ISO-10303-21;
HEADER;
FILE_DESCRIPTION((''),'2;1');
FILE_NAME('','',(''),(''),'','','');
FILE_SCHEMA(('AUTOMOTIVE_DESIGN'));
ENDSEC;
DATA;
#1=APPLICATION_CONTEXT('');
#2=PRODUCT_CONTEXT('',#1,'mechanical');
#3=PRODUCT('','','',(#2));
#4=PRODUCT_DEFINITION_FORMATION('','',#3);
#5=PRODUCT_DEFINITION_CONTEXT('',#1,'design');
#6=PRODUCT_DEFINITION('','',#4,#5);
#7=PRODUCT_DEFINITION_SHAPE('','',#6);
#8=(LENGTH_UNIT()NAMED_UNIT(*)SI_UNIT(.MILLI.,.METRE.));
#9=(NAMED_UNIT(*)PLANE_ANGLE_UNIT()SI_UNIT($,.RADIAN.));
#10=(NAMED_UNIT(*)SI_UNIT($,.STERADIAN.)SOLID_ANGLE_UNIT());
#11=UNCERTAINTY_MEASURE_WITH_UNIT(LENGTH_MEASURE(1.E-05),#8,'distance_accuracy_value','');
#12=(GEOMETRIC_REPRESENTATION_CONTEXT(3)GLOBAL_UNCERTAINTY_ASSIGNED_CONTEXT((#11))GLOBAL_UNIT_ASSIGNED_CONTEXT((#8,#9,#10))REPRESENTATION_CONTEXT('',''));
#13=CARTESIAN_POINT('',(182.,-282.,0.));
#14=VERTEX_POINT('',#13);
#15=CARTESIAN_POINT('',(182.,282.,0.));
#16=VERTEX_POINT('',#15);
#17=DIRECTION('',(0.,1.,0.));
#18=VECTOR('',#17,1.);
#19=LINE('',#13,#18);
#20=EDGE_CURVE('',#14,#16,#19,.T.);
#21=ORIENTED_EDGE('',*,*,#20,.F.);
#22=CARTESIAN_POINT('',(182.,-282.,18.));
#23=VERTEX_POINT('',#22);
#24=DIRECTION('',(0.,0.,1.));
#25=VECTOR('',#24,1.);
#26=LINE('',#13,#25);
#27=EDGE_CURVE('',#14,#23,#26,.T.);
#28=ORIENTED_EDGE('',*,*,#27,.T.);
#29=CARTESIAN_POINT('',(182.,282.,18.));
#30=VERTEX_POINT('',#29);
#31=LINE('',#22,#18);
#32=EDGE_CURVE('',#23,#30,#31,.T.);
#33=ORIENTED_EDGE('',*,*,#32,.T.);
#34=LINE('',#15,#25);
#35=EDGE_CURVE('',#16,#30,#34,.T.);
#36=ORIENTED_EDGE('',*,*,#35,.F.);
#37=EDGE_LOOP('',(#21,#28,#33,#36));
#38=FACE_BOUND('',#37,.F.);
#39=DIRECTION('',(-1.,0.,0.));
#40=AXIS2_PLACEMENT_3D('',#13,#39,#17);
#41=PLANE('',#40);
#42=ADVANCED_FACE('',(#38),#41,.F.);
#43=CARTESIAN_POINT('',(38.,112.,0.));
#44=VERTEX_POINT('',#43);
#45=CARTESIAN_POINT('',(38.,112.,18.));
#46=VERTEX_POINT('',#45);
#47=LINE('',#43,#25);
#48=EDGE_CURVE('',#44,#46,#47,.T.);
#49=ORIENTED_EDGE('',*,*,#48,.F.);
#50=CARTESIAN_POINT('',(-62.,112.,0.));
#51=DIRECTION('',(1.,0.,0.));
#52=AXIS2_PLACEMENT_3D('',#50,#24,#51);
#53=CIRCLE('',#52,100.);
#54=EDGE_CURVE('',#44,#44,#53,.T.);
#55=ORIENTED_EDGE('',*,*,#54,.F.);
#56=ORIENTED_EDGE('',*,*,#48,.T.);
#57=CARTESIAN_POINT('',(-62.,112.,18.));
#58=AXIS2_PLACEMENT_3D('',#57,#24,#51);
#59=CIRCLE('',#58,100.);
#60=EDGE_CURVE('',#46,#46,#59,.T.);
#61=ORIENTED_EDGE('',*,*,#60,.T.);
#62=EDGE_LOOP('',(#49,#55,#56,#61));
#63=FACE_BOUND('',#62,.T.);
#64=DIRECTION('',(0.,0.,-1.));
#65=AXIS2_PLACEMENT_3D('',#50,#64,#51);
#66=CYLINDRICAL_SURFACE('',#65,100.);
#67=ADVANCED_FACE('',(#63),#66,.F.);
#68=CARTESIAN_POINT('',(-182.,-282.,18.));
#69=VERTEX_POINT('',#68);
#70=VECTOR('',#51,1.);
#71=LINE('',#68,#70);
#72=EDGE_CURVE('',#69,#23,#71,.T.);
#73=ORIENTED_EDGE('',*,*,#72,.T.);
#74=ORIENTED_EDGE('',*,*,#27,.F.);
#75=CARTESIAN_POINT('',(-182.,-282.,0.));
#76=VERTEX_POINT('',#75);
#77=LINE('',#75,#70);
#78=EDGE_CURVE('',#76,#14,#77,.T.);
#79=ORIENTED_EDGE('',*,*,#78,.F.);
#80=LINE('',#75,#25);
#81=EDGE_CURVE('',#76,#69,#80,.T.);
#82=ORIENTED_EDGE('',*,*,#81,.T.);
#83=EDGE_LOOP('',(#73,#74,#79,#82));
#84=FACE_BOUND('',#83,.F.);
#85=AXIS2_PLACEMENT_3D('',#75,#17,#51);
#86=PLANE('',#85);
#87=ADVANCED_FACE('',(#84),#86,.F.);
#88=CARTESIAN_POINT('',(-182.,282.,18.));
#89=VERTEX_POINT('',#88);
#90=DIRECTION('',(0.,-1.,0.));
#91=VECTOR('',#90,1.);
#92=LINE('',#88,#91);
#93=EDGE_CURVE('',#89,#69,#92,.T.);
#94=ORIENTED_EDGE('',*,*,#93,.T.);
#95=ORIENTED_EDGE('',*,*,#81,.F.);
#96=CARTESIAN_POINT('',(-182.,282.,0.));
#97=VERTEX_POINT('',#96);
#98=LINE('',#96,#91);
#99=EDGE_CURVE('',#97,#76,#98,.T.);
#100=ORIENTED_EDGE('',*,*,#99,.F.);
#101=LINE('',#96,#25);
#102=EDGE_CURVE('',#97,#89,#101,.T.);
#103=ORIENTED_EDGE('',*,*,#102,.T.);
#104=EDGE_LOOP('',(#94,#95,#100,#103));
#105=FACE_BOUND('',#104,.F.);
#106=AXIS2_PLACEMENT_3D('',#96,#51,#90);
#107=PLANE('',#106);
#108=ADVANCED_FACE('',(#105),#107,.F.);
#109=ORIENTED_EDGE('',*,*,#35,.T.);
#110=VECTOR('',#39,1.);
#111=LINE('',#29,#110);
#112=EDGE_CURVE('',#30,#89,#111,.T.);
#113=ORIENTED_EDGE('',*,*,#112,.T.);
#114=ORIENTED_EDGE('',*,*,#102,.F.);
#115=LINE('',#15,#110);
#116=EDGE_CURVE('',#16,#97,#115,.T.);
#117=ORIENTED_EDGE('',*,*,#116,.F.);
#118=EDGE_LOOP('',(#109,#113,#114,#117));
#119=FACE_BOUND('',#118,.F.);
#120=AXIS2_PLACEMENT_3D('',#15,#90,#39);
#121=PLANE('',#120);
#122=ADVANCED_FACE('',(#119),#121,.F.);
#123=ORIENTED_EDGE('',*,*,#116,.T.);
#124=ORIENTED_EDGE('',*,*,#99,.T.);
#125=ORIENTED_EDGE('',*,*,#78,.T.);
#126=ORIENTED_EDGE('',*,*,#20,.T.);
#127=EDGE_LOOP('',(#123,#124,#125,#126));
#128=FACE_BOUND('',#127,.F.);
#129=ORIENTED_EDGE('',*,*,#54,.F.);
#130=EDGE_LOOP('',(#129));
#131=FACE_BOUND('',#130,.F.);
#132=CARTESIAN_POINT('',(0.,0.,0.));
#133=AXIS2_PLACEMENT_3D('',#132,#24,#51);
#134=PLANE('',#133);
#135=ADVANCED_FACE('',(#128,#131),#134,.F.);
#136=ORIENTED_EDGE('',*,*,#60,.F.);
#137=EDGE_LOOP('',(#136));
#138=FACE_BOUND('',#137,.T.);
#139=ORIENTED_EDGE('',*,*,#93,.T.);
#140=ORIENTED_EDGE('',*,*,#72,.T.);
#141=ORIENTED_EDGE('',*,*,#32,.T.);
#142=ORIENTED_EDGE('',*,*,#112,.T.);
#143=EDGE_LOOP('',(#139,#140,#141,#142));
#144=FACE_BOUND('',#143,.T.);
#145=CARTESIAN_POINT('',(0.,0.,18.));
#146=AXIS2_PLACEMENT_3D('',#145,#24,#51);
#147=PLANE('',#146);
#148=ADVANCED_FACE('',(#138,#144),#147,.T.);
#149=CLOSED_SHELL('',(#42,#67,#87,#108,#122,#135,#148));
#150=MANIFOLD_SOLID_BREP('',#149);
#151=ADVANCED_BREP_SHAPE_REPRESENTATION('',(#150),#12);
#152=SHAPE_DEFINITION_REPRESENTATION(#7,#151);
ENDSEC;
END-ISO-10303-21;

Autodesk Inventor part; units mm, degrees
ref_plane "YZ Plane" through (0, 0, 0) normal (1, 0, 0) x (0, 1, 0)
ref_plane "XZ Plane" through (0, 0, 0) normal (0, 1, 0) x (-1, 0, 0)
ref_plane "XY Plane" through (0, 0, 0) normal (0, 0, 1) x (1, 0, 0)
sketch "Skizze1" plane through (0, 0, 0) normal (0, 0, 1) x (1, 0, 0)
  line L0 (-182, -282) -> (182, -282)
  line L1 (182, -282) -> (182, 282)
  line L2 (182, 282) -> (-182, 282)
  line L3 (-182, 282) -> (-182, -282)
  line L4 (-182, -282) -> (182, 282) construction
  line L5 (182, -282) -> (-182, 282) construction
  circle A0 centre (-62, 112) radius 100
  point P0 (0, 0)
  point P1 (0, 0)
  dimension "d0" = 364
  dimension "d1" = 564
  dimension "d4" = 200
  dimension "d5" = 170
  dimension "d6" = 120
extrude "Extrusion1" add sketch "Skizze1" along normal blind 18
equation "\"d0\" = case_width - 2 * case_thickness"
equation "\"d1\" = case_depth - 2 * case_thickness"
equation "\"d4\" = kg_diameter"
equation "\"d2\" = case_thickness"
equation "\"kg_diameter\" = 200"
equation "\"kg_thickness\" = 4.9"
equation "\"ht_thickness\" = 1.9"
equation "\"case_thickness\" = 18"
equation "\"inner_thickness\" = 15"
equation "\"gap_fit\" = 0.1"
equation "\"gap_slide\" = 0.2"
equation "\"gap_air\" = 1"
equation "\"bore_diameter\" = 73"
equation "\"mdf_thickness\" = 6"
equation "\"tape_width\" = 15"
equation "\"tape_thickness\" = 3"
equation "\"inner_depth\" = 255"
equation "\"case_width\" = 400"
equation "\"case_depth\" = 600"
properties part number "Korpus_Basis"
